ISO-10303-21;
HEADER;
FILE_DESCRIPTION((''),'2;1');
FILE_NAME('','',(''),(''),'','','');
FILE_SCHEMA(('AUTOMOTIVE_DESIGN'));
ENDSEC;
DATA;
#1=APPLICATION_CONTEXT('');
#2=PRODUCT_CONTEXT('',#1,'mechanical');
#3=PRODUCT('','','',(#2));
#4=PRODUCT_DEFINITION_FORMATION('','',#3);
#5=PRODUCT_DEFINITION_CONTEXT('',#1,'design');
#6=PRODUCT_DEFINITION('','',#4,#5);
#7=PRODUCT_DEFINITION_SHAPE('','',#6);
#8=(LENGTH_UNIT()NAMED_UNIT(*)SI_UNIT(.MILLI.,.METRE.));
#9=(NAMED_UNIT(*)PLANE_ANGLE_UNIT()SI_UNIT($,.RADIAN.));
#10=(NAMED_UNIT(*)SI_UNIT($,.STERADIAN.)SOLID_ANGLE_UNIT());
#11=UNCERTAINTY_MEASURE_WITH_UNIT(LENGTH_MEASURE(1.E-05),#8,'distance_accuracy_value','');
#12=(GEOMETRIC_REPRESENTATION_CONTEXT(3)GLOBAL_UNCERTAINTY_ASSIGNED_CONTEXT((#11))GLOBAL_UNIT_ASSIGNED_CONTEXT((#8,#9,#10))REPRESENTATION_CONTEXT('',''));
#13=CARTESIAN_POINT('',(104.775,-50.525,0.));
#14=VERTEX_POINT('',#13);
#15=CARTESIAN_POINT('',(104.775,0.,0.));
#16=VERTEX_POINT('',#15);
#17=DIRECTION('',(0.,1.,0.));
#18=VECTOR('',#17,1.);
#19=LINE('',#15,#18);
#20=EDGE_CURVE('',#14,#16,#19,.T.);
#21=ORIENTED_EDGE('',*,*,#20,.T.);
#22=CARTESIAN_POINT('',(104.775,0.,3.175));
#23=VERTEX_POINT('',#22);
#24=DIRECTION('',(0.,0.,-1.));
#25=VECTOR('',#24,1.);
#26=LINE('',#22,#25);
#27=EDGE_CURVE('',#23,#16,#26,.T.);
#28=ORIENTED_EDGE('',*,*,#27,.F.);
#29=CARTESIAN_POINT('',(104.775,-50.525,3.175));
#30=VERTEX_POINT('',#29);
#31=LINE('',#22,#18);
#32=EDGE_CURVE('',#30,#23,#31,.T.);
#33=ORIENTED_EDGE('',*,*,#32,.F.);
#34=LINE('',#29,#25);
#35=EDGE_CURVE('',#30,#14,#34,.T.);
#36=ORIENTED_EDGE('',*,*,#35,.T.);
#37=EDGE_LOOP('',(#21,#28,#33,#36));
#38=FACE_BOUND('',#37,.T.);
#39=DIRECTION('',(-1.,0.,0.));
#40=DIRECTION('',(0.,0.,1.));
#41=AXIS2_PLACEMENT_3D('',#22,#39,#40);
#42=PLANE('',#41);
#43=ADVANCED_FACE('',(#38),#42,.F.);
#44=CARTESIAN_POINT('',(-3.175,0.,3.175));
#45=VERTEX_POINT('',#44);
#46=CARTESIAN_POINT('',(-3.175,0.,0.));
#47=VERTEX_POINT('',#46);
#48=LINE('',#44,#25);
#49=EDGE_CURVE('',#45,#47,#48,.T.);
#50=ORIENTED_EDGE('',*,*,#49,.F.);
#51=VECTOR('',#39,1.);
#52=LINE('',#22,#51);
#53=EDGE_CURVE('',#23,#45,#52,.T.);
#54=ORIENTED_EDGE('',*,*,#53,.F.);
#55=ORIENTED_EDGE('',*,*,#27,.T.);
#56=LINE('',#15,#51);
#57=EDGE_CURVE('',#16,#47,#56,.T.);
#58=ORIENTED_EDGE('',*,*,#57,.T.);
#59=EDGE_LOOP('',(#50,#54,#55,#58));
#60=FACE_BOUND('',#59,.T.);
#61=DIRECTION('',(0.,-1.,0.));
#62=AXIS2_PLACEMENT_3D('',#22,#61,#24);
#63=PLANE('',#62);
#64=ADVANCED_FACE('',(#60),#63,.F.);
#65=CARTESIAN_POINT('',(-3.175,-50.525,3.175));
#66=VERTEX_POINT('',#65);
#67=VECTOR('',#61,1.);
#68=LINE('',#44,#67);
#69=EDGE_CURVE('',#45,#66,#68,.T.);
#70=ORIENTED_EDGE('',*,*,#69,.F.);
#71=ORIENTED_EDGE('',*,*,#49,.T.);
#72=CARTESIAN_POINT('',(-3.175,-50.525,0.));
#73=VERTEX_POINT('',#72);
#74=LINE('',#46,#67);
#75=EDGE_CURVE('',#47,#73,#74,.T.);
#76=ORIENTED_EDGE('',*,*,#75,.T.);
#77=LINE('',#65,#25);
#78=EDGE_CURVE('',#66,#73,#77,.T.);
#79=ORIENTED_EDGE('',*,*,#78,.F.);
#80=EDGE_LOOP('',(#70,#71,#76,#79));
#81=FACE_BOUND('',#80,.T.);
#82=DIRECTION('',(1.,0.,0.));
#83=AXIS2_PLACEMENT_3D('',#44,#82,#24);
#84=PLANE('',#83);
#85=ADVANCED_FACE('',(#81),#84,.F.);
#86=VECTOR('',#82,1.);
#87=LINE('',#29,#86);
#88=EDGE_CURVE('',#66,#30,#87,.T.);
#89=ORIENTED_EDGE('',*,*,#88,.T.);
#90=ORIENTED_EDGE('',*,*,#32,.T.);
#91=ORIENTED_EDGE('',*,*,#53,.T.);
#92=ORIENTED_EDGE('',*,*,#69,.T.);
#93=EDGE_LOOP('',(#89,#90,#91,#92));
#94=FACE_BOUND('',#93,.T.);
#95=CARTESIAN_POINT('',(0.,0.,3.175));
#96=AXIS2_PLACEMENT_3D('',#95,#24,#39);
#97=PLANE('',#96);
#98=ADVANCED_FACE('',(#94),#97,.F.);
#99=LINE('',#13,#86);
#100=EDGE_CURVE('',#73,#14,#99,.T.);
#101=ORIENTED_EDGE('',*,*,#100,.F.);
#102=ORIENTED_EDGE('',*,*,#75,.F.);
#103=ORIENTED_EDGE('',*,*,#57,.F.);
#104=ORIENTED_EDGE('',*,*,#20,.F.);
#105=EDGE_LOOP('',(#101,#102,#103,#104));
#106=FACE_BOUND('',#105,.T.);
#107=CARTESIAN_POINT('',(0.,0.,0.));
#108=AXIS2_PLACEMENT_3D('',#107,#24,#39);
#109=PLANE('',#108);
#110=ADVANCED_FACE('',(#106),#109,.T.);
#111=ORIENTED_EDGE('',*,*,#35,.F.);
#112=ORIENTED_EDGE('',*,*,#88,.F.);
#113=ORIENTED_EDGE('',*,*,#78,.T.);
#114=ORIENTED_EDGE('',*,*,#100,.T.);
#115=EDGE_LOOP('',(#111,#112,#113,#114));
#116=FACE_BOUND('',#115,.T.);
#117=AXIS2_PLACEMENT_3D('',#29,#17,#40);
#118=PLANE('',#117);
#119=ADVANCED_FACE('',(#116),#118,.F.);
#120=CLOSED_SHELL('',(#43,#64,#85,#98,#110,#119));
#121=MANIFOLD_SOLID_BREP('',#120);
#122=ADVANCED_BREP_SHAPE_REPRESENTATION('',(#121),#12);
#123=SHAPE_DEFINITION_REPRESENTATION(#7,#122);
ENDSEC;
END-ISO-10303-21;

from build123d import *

# Parameters (mm, degrees)
SKETCH1_W           = 107.95
SKETCH1_H           = 50.525
BOSS_EXTRUDE1_DEPTH = 3.175


with BuildPart() as part:
    # Sketch1 → Boss-Extrude1 (new body)
    with BuildSketch(Plane.XY):
        with Locations((50.8, -25.2625)):
            Rectangle(SKETCH1_W, SKETCH1_H)
    extrude(amount=BOSS_EXTRUDE1_DEPTH)


solid = part.part
